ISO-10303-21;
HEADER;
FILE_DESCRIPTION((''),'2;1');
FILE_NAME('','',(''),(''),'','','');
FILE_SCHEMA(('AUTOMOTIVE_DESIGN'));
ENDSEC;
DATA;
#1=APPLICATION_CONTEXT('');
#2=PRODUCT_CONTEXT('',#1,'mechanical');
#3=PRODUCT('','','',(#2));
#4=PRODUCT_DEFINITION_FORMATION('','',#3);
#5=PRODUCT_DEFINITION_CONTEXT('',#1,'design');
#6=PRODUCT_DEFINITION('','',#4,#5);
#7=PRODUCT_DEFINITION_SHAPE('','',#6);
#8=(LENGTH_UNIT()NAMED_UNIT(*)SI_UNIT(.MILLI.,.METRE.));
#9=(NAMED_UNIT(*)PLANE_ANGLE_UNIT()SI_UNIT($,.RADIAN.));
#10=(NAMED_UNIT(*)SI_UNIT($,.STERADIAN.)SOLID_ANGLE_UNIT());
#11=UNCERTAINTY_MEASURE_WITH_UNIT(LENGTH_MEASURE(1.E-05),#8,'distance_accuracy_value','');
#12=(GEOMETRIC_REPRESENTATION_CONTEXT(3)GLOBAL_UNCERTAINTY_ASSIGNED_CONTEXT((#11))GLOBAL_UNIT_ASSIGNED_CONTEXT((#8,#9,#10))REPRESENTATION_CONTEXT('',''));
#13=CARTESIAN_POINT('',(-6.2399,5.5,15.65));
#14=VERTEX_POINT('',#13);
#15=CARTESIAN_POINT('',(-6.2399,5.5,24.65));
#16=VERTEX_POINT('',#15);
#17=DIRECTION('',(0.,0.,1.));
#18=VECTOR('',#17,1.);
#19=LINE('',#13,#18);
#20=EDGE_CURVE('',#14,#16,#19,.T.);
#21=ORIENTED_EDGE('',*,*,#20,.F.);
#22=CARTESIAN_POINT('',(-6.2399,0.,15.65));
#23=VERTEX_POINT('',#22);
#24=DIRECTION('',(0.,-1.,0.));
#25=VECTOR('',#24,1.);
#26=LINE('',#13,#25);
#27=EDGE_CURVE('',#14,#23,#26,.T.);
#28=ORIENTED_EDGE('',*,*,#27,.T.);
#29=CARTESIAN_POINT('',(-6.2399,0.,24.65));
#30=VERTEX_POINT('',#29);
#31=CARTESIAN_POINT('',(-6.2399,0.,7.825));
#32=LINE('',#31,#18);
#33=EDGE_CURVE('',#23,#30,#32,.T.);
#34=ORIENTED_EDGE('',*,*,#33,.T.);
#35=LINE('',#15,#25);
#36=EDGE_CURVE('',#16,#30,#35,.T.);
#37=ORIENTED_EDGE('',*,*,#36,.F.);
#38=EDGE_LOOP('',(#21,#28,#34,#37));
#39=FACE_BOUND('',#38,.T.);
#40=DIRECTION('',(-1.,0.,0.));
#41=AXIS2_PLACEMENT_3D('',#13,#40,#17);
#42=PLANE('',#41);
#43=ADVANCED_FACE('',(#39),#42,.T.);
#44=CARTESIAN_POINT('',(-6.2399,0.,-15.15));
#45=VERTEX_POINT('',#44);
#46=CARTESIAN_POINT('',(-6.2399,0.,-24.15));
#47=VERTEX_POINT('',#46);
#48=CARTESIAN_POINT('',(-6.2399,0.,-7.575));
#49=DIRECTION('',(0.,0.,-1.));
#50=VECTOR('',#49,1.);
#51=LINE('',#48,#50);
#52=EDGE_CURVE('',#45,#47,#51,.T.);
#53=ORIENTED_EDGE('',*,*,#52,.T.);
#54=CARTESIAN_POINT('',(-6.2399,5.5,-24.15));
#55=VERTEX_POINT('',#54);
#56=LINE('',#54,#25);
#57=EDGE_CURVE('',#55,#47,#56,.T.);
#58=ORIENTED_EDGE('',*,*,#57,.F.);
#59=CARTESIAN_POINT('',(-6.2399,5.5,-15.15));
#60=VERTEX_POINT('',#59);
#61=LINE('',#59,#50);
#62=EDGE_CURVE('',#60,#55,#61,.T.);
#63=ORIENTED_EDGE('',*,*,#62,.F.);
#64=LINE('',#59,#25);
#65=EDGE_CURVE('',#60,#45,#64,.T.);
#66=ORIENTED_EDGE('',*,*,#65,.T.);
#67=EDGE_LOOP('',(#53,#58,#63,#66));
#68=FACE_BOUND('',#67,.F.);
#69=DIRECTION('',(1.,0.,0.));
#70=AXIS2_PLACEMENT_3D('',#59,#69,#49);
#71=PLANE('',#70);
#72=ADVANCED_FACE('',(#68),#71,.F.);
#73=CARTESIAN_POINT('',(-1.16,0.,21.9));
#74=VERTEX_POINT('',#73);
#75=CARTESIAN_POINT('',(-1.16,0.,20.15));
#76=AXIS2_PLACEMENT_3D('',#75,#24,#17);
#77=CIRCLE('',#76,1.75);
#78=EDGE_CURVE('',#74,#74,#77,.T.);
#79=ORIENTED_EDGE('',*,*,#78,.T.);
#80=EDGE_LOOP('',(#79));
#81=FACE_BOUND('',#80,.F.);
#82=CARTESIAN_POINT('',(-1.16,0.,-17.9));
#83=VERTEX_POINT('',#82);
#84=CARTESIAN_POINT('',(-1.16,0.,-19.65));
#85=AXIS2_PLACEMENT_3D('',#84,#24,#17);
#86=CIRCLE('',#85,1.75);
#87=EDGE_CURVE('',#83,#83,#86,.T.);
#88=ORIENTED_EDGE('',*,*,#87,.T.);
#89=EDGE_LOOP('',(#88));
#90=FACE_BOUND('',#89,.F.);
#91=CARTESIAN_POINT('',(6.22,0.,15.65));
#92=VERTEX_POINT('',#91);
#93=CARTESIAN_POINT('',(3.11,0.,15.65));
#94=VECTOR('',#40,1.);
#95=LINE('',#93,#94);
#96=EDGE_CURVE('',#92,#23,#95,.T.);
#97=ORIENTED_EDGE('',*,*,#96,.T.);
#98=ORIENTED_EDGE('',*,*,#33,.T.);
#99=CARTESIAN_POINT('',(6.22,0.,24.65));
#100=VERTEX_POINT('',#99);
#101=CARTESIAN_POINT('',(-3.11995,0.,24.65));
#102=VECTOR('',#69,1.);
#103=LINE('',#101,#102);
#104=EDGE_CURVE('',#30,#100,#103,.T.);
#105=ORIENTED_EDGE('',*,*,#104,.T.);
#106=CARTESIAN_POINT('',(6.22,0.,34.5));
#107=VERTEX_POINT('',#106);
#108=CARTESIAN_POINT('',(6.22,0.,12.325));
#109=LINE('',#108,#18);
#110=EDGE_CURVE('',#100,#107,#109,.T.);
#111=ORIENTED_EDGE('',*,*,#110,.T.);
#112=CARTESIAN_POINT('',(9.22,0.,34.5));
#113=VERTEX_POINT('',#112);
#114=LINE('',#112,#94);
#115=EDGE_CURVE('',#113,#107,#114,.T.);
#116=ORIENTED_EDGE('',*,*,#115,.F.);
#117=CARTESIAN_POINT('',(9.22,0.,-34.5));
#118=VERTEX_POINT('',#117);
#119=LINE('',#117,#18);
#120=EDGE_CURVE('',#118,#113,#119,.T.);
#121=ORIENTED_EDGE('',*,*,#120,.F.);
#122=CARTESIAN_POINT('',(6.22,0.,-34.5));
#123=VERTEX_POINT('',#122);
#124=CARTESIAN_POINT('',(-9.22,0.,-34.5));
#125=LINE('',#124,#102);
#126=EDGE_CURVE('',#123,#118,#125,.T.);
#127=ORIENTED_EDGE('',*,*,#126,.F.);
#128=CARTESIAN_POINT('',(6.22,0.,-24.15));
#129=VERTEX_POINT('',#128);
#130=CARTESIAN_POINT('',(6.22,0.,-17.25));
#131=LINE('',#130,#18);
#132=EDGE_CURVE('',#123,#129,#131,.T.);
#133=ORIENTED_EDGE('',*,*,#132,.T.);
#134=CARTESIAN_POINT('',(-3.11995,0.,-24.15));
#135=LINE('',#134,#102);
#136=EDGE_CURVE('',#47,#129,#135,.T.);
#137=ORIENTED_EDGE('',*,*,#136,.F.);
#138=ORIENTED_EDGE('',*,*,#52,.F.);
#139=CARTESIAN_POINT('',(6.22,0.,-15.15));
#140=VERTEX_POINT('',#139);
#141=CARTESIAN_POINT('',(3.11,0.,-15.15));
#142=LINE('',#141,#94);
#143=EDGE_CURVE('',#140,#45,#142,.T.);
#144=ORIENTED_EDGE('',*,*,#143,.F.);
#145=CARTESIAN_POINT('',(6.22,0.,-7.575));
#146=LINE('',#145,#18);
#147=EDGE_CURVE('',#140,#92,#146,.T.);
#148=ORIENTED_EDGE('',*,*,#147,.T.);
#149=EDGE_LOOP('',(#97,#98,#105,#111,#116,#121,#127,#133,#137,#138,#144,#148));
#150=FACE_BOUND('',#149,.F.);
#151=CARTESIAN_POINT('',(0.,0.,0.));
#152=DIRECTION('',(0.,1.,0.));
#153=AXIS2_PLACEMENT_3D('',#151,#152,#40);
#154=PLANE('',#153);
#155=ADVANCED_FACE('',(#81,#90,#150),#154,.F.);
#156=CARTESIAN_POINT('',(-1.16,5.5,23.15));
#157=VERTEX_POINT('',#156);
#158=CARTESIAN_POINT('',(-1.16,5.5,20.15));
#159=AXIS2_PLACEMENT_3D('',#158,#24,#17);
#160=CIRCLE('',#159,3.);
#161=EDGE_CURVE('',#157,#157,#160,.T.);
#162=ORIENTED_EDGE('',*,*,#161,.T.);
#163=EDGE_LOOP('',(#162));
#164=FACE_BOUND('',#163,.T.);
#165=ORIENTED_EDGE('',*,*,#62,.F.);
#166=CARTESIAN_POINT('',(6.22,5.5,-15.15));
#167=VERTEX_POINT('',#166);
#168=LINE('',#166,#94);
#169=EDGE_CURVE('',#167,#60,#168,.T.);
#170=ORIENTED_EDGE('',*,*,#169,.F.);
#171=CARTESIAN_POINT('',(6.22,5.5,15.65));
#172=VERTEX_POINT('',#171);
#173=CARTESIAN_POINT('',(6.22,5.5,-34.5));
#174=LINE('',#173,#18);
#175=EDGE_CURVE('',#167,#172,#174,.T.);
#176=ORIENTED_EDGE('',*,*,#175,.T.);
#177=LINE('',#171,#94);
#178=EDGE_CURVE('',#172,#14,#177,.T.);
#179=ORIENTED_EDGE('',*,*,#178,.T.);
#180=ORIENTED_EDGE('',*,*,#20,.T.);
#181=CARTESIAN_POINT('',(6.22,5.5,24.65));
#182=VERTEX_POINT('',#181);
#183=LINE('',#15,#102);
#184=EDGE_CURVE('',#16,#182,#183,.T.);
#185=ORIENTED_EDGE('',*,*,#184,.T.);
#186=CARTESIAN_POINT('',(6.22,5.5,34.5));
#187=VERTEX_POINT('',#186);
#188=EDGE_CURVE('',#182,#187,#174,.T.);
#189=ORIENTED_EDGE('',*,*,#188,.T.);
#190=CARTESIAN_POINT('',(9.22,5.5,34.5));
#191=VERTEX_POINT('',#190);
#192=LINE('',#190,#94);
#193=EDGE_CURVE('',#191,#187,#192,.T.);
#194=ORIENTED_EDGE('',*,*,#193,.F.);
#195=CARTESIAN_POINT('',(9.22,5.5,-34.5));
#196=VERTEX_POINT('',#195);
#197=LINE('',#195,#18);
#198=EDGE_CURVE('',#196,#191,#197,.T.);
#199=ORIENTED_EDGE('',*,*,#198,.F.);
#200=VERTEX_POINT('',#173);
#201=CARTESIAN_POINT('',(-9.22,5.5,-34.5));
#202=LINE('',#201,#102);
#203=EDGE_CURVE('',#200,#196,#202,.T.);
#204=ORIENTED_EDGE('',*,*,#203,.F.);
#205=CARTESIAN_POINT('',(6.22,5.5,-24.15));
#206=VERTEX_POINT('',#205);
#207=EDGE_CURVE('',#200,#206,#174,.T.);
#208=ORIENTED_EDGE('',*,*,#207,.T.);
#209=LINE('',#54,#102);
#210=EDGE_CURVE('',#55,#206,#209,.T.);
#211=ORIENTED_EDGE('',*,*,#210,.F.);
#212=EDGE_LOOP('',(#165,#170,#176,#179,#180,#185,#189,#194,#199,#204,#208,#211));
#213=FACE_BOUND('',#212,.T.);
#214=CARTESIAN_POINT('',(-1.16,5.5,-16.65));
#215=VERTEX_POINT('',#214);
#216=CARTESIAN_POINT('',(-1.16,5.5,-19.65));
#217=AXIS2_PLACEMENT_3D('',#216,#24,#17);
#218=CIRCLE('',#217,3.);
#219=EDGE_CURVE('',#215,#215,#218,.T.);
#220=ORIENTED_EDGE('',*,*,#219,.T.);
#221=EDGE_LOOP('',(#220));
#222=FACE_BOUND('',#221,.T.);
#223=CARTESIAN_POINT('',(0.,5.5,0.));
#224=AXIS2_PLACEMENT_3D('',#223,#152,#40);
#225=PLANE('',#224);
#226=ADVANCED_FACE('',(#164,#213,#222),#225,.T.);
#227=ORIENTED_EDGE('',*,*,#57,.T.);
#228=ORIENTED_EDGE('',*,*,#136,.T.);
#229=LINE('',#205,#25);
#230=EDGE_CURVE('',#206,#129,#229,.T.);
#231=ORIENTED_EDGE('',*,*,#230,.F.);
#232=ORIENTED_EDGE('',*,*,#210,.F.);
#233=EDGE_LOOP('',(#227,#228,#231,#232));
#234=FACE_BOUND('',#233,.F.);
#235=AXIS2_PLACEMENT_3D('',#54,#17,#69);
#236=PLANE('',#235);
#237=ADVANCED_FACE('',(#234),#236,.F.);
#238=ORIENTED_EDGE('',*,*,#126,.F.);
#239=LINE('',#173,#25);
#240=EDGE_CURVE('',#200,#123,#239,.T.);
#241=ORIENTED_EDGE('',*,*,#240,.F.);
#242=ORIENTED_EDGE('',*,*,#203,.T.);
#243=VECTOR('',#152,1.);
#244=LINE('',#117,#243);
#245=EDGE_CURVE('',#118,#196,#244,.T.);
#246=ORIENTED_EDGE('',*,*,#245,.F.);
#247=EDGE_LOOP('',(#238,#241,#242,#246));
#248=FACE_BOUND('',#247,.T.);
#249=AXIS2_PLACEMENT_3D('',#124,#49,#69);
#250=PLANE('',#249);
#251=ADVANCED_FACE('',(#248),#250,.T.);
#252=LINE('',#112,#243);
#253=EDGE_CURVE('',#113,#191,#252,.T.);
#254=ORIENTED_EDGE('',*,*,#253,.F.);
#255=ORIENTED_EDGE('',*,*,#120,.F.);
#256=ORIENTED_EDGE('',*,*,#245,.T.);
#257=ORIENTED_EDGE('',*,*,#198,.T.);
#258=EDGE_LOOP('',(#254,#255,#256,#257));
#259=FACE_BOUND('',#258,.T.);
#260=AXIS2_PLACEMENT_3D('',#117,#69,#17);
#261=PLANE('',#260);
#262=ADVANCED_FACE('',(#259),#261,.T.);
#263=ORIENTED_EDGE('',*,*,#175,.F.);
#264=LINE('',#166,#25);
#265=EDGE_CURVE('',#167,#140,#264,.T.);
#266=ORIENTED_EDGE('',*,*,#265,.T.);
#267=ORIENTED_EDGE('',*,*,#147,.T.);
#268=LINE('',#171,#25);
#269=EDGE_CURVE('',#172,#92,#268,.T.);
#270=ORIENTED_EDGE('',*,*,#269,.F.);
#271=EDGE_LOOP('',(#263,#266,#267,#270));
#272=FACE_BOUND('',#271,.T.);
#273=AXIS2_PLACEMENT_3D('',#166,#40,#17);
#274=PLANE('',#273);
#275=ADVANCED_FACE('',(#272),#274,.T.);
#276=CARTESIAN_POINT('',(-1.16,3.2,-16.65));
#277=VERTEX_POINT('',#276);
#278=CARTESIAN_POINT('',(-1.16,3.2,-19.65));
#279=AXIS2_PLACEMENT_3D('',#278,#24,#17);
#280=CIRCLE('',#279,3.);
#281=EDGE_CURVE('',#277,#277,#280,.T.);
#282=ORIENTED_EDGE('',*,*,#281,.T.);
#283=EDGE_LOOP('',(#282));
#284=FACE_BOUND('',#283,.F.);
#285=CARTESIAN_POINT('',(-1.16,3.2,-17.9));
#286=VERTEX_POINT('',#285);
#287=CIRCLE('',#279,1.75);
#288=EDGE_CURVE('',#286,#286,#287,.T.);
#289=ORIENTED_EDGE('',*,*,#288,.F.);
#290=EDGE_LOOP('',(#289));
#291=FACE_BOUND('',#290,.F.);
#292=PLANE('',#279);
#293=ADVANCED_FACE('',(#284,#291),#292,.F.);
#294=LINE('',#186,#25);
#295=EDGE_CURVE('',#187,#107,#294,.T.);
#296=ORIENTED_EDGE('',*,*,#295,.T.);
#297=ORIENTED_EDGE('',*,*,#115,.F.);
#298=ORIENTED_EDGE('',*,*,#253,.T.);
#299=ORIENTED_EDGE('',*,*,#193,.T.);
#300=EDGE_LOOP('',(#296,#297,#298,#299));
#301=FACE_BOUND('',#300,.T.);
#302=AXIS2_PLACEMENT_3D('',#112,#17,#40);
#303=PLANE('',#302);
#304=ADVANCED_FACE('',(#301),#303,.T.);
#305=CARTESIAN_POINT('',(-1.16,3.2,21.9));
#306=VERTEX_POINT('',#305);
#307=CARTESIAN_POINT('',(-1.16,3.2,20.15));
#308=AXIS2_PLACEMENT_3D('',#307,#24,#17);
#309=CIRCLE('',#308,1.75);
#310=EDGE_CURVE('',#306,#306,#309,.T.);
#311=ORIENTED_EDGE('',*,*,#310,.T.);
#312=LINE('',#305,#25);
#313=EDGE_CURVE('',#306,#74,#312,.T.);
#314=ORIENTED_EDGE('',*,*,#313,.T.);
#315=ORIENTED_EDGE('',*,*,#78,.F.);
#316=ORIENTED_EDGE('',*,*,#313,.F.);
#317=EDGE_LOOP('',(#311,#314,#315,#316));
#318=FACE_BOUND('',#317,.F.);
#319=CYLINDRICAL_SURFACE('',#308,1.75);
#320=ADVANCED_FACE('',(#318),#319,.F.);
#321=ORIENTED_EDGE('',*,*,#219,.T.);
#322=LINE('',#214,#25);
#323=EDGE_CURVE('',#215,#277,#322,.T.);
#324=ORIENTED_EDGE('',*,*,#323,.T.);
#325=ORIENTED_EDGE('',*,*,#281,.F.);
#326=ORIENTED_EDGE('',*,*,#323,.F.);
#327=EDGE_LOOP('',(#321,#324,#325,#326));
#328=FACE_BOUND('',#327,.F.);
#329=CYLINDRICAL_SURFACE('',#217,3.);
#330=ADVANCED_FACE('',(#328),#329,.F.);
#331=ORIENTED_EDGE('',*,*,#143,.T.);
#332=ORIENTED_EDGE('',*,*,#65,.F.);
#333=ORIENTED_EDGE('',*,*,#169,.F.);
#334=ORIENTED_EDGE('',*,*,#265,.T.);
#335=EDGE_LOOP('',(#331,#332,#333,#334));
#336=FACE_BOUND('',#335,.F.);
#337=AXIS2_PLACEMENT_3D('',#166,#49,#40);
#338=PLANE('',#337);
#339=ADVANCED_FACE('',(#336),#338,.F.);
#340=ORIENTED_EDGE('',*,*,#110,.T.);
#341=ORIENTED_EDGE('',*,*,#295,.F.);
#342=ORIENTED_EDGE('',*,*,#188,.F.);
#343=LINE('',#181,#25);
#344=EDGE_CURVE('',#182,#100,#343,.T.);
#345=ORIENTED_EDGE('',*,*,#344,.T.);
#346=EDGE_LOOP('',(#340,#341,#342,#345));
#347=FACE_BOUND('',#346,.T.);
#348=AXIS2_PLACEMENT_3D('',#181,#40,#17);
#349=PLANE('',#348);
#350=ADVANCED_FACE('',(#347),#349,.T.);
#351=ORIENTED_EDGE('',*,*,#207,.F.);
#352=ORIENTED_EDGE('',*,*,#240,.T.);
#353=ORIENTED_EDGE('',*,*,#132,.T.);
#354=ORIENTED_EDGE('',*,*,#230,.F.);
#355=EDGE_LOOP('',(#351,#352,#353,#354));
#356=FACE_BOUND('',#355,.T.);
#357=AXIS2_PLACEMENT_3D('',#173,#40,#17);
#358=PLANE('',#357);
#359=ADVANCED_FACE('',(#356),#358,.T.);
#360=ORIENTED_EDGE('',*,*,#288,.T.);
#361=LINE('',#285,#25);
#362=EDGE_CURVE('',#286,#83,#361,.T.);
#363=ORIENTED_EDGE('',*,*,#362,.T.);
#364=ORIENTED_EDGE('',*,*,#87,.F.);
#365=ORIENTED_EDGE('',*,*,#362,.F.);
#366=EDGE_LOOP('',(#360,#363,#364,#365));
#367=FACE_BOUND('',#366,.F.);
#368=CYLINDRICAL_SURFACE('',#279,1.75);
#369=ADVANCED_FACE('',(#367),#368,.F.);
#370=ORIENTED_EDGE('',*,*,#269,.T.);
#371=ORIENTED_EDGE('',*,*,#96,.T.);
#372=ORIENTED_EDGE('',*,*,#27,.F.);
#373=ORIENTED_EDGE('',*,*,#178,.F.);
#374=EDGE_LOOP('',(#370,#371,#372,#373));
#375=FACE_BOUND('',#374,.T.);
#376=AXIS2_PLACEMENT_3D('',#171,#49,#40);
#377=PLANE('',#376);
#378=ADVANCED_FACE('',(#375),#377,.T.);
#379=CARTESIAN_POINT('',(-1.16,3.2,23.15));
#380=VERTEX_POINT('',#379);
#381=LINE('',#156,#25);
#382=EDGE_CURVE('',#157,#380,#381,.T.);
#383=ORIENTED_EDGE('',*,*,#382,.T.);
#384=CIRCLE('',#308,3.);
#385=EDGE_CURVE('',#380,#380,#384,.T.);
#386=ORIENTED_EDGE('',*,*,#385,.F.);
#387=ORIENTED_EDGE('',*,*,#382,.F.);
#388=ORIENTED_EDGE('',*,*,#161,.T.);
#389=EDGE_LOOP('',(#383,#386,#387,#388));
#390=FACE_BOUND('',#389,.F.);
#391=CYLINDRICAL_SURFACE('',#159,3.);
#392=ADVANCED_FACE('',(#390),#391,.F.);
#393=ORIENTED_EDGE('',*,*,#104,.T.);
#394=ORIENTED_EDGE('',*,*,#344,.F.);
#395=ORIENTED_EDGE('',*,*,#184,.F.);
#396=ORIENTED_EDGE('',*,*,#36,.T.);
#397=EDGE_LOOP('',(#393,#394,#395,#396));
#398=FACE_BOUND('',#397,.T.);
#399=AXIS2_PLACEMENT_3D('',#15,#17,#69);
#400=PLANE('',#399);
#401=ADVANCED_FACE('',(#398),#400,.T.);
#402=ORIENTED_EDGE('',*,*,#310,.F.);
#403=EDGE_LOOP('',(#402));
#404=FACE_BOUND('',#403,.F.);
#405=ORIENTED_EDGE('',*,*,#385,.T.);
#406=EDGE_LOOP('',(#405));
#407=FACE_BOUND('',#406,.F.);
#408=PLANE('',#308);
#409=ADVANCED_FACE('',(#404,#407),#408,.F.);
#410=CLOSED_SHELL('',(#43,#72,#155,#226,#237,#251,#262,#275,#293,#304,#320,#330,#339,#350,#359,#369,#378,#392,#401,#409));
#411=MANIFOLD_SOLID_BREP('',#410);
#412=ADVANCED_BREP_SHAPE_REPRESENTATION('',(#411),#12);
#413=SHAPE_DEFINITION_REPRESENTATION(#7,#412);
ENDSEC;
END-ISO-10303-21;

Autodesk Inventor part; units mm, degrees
ref_plane "YZ Plane" through (0, 0, 0) normal (1, 0, 0) x (0, 1, 0)
ref_plane "XZ Plane" through (0, 0, 0) normal (0, 1, 0) x (-1, 0, 0)
ref_plane "XY Plane" through (0, 0, 0) normal (0, 0, 1) x (1, 0, 0)
sketch "Sketch1" plane through (0, 0, 0) normal (0, 1, 0) x (-1, 0, 0)
  line L0 (-9.22, 34.5) -> (9.22, 34.5)
  line L1 (9.22, 34.5) -> (9.22, -34.5)
  line L2 (9.22, -34.5) -> (-9.22, -34.5)
  line L3 (-9.22, -34.5) -> (-9.22, 34.5)
  line L4 (-9.22, 34.5) -> (9.22, -34.5) construction
  line L5 (9.22, 34.5) -> (-9.22, -34.5) construction
  point P0 (0, 0)
  dimension "d0" = 18.44
  dimension "d1" = 69
extrude "Extrusion1" add sketch "Sketch1" along normal blind 5.5
sketch "Sketch4" plane through (0, 5.5, 0) normal (0, 1, 0) x (1, 0, 0)
  circle A0 centre (-1.16, 19.65) radius 2.4879
  line L0 (-9.22, 34.5) -> (-9.22, -34.5) projected
  line L1 (-9.22, -34.5) -> (9.22, -34.5) projected
  point P0 (0, 0)
  dimension "d6" = 8.06
  dimension "d7" = 54.15
hole "Hole1" at (-1.16, 5.5, -19.65) direction (0, -1, 0) diameter 3.5 depth 10.5 tip angle 118 counterbore diameter 6 counterbore depth 2.3
sketch "Sketch5" plane through (0, 5.5, 0) normal (0, 1, 0) x (1, 0, 0)
  circle A0 centre (-1.16, -20.15) radius 2.6607
  line L0 (-9.22, 34.5) -> (-9.22, -34.5) projected
  line L1 (-9.22, -34.5) -> (9.22, -34.5) projected
  point P0 (0, 0)
  dimension "d15" = 8.06
  dimension "d16" = 14.35
hole "Hole2" at (-1.16, 5.5, 20.15) direction (0, -1, 0) diameter 3.5 depth 10.5 tip angle 118 counterbore diameter 6 counterbore depth 2.3
sketch "Sketch6" plane through (0, 5.5, 0) normal (0, 1, 0) x (1, 0, 0)
  line L0 (-9.22, -34.5) -> (9.22, -34.5) projected
  line L1 (-9.22, 34.5) -> (-9.22, -34.5) projected
  line L2 (6.22, -34.5) -> (-9.22, -34.5)
  line L3 (-9.22, -34.5) -> (-9.22, 34.5)
  line L4 (-9.22, 34.5) -> (6.22, 34.5)
  line L5 (6.22, 34.5) -> (6.22, -34.5)
  line L6 (9.22, -34.5) -> (9.22, 34.5) projected
  line L7 (6.22, -15.65) -> (-6.2399, -15.65)
  line L8 (-6.2399, -15.65) -> (-6.2399, -24.65)
  line L9 (-6.2399, -24.65) -> (6.22, -24.65)
  line L10 (6.22, 15.15) -> (-6.2399, 15.15)
  line L11 (-6.2399, 15.15) -> (-6.2399, 24.15)
  line L12 (-6.2399, 24.15) -> (6.22, 24.15)
  circle A0 centre (-1.16, -20.15) radius 3 projected
  circle A1 centre (-1.16, 19.65) radius 3 projected
  point P0 (0, 0)
  dimension "d24" = 3
  dimension "d25" = 9
  dimension "d26" = 9
  dimension "d27" = 4.5
  dimension "d28" = 4.5
extrude "Extrusion2" cut sketch "Sketch6" against normal blind 9 contours L1 L4 L5 L12 L11 L10 L7 L8 L9 L0
properties part number "support_2"
